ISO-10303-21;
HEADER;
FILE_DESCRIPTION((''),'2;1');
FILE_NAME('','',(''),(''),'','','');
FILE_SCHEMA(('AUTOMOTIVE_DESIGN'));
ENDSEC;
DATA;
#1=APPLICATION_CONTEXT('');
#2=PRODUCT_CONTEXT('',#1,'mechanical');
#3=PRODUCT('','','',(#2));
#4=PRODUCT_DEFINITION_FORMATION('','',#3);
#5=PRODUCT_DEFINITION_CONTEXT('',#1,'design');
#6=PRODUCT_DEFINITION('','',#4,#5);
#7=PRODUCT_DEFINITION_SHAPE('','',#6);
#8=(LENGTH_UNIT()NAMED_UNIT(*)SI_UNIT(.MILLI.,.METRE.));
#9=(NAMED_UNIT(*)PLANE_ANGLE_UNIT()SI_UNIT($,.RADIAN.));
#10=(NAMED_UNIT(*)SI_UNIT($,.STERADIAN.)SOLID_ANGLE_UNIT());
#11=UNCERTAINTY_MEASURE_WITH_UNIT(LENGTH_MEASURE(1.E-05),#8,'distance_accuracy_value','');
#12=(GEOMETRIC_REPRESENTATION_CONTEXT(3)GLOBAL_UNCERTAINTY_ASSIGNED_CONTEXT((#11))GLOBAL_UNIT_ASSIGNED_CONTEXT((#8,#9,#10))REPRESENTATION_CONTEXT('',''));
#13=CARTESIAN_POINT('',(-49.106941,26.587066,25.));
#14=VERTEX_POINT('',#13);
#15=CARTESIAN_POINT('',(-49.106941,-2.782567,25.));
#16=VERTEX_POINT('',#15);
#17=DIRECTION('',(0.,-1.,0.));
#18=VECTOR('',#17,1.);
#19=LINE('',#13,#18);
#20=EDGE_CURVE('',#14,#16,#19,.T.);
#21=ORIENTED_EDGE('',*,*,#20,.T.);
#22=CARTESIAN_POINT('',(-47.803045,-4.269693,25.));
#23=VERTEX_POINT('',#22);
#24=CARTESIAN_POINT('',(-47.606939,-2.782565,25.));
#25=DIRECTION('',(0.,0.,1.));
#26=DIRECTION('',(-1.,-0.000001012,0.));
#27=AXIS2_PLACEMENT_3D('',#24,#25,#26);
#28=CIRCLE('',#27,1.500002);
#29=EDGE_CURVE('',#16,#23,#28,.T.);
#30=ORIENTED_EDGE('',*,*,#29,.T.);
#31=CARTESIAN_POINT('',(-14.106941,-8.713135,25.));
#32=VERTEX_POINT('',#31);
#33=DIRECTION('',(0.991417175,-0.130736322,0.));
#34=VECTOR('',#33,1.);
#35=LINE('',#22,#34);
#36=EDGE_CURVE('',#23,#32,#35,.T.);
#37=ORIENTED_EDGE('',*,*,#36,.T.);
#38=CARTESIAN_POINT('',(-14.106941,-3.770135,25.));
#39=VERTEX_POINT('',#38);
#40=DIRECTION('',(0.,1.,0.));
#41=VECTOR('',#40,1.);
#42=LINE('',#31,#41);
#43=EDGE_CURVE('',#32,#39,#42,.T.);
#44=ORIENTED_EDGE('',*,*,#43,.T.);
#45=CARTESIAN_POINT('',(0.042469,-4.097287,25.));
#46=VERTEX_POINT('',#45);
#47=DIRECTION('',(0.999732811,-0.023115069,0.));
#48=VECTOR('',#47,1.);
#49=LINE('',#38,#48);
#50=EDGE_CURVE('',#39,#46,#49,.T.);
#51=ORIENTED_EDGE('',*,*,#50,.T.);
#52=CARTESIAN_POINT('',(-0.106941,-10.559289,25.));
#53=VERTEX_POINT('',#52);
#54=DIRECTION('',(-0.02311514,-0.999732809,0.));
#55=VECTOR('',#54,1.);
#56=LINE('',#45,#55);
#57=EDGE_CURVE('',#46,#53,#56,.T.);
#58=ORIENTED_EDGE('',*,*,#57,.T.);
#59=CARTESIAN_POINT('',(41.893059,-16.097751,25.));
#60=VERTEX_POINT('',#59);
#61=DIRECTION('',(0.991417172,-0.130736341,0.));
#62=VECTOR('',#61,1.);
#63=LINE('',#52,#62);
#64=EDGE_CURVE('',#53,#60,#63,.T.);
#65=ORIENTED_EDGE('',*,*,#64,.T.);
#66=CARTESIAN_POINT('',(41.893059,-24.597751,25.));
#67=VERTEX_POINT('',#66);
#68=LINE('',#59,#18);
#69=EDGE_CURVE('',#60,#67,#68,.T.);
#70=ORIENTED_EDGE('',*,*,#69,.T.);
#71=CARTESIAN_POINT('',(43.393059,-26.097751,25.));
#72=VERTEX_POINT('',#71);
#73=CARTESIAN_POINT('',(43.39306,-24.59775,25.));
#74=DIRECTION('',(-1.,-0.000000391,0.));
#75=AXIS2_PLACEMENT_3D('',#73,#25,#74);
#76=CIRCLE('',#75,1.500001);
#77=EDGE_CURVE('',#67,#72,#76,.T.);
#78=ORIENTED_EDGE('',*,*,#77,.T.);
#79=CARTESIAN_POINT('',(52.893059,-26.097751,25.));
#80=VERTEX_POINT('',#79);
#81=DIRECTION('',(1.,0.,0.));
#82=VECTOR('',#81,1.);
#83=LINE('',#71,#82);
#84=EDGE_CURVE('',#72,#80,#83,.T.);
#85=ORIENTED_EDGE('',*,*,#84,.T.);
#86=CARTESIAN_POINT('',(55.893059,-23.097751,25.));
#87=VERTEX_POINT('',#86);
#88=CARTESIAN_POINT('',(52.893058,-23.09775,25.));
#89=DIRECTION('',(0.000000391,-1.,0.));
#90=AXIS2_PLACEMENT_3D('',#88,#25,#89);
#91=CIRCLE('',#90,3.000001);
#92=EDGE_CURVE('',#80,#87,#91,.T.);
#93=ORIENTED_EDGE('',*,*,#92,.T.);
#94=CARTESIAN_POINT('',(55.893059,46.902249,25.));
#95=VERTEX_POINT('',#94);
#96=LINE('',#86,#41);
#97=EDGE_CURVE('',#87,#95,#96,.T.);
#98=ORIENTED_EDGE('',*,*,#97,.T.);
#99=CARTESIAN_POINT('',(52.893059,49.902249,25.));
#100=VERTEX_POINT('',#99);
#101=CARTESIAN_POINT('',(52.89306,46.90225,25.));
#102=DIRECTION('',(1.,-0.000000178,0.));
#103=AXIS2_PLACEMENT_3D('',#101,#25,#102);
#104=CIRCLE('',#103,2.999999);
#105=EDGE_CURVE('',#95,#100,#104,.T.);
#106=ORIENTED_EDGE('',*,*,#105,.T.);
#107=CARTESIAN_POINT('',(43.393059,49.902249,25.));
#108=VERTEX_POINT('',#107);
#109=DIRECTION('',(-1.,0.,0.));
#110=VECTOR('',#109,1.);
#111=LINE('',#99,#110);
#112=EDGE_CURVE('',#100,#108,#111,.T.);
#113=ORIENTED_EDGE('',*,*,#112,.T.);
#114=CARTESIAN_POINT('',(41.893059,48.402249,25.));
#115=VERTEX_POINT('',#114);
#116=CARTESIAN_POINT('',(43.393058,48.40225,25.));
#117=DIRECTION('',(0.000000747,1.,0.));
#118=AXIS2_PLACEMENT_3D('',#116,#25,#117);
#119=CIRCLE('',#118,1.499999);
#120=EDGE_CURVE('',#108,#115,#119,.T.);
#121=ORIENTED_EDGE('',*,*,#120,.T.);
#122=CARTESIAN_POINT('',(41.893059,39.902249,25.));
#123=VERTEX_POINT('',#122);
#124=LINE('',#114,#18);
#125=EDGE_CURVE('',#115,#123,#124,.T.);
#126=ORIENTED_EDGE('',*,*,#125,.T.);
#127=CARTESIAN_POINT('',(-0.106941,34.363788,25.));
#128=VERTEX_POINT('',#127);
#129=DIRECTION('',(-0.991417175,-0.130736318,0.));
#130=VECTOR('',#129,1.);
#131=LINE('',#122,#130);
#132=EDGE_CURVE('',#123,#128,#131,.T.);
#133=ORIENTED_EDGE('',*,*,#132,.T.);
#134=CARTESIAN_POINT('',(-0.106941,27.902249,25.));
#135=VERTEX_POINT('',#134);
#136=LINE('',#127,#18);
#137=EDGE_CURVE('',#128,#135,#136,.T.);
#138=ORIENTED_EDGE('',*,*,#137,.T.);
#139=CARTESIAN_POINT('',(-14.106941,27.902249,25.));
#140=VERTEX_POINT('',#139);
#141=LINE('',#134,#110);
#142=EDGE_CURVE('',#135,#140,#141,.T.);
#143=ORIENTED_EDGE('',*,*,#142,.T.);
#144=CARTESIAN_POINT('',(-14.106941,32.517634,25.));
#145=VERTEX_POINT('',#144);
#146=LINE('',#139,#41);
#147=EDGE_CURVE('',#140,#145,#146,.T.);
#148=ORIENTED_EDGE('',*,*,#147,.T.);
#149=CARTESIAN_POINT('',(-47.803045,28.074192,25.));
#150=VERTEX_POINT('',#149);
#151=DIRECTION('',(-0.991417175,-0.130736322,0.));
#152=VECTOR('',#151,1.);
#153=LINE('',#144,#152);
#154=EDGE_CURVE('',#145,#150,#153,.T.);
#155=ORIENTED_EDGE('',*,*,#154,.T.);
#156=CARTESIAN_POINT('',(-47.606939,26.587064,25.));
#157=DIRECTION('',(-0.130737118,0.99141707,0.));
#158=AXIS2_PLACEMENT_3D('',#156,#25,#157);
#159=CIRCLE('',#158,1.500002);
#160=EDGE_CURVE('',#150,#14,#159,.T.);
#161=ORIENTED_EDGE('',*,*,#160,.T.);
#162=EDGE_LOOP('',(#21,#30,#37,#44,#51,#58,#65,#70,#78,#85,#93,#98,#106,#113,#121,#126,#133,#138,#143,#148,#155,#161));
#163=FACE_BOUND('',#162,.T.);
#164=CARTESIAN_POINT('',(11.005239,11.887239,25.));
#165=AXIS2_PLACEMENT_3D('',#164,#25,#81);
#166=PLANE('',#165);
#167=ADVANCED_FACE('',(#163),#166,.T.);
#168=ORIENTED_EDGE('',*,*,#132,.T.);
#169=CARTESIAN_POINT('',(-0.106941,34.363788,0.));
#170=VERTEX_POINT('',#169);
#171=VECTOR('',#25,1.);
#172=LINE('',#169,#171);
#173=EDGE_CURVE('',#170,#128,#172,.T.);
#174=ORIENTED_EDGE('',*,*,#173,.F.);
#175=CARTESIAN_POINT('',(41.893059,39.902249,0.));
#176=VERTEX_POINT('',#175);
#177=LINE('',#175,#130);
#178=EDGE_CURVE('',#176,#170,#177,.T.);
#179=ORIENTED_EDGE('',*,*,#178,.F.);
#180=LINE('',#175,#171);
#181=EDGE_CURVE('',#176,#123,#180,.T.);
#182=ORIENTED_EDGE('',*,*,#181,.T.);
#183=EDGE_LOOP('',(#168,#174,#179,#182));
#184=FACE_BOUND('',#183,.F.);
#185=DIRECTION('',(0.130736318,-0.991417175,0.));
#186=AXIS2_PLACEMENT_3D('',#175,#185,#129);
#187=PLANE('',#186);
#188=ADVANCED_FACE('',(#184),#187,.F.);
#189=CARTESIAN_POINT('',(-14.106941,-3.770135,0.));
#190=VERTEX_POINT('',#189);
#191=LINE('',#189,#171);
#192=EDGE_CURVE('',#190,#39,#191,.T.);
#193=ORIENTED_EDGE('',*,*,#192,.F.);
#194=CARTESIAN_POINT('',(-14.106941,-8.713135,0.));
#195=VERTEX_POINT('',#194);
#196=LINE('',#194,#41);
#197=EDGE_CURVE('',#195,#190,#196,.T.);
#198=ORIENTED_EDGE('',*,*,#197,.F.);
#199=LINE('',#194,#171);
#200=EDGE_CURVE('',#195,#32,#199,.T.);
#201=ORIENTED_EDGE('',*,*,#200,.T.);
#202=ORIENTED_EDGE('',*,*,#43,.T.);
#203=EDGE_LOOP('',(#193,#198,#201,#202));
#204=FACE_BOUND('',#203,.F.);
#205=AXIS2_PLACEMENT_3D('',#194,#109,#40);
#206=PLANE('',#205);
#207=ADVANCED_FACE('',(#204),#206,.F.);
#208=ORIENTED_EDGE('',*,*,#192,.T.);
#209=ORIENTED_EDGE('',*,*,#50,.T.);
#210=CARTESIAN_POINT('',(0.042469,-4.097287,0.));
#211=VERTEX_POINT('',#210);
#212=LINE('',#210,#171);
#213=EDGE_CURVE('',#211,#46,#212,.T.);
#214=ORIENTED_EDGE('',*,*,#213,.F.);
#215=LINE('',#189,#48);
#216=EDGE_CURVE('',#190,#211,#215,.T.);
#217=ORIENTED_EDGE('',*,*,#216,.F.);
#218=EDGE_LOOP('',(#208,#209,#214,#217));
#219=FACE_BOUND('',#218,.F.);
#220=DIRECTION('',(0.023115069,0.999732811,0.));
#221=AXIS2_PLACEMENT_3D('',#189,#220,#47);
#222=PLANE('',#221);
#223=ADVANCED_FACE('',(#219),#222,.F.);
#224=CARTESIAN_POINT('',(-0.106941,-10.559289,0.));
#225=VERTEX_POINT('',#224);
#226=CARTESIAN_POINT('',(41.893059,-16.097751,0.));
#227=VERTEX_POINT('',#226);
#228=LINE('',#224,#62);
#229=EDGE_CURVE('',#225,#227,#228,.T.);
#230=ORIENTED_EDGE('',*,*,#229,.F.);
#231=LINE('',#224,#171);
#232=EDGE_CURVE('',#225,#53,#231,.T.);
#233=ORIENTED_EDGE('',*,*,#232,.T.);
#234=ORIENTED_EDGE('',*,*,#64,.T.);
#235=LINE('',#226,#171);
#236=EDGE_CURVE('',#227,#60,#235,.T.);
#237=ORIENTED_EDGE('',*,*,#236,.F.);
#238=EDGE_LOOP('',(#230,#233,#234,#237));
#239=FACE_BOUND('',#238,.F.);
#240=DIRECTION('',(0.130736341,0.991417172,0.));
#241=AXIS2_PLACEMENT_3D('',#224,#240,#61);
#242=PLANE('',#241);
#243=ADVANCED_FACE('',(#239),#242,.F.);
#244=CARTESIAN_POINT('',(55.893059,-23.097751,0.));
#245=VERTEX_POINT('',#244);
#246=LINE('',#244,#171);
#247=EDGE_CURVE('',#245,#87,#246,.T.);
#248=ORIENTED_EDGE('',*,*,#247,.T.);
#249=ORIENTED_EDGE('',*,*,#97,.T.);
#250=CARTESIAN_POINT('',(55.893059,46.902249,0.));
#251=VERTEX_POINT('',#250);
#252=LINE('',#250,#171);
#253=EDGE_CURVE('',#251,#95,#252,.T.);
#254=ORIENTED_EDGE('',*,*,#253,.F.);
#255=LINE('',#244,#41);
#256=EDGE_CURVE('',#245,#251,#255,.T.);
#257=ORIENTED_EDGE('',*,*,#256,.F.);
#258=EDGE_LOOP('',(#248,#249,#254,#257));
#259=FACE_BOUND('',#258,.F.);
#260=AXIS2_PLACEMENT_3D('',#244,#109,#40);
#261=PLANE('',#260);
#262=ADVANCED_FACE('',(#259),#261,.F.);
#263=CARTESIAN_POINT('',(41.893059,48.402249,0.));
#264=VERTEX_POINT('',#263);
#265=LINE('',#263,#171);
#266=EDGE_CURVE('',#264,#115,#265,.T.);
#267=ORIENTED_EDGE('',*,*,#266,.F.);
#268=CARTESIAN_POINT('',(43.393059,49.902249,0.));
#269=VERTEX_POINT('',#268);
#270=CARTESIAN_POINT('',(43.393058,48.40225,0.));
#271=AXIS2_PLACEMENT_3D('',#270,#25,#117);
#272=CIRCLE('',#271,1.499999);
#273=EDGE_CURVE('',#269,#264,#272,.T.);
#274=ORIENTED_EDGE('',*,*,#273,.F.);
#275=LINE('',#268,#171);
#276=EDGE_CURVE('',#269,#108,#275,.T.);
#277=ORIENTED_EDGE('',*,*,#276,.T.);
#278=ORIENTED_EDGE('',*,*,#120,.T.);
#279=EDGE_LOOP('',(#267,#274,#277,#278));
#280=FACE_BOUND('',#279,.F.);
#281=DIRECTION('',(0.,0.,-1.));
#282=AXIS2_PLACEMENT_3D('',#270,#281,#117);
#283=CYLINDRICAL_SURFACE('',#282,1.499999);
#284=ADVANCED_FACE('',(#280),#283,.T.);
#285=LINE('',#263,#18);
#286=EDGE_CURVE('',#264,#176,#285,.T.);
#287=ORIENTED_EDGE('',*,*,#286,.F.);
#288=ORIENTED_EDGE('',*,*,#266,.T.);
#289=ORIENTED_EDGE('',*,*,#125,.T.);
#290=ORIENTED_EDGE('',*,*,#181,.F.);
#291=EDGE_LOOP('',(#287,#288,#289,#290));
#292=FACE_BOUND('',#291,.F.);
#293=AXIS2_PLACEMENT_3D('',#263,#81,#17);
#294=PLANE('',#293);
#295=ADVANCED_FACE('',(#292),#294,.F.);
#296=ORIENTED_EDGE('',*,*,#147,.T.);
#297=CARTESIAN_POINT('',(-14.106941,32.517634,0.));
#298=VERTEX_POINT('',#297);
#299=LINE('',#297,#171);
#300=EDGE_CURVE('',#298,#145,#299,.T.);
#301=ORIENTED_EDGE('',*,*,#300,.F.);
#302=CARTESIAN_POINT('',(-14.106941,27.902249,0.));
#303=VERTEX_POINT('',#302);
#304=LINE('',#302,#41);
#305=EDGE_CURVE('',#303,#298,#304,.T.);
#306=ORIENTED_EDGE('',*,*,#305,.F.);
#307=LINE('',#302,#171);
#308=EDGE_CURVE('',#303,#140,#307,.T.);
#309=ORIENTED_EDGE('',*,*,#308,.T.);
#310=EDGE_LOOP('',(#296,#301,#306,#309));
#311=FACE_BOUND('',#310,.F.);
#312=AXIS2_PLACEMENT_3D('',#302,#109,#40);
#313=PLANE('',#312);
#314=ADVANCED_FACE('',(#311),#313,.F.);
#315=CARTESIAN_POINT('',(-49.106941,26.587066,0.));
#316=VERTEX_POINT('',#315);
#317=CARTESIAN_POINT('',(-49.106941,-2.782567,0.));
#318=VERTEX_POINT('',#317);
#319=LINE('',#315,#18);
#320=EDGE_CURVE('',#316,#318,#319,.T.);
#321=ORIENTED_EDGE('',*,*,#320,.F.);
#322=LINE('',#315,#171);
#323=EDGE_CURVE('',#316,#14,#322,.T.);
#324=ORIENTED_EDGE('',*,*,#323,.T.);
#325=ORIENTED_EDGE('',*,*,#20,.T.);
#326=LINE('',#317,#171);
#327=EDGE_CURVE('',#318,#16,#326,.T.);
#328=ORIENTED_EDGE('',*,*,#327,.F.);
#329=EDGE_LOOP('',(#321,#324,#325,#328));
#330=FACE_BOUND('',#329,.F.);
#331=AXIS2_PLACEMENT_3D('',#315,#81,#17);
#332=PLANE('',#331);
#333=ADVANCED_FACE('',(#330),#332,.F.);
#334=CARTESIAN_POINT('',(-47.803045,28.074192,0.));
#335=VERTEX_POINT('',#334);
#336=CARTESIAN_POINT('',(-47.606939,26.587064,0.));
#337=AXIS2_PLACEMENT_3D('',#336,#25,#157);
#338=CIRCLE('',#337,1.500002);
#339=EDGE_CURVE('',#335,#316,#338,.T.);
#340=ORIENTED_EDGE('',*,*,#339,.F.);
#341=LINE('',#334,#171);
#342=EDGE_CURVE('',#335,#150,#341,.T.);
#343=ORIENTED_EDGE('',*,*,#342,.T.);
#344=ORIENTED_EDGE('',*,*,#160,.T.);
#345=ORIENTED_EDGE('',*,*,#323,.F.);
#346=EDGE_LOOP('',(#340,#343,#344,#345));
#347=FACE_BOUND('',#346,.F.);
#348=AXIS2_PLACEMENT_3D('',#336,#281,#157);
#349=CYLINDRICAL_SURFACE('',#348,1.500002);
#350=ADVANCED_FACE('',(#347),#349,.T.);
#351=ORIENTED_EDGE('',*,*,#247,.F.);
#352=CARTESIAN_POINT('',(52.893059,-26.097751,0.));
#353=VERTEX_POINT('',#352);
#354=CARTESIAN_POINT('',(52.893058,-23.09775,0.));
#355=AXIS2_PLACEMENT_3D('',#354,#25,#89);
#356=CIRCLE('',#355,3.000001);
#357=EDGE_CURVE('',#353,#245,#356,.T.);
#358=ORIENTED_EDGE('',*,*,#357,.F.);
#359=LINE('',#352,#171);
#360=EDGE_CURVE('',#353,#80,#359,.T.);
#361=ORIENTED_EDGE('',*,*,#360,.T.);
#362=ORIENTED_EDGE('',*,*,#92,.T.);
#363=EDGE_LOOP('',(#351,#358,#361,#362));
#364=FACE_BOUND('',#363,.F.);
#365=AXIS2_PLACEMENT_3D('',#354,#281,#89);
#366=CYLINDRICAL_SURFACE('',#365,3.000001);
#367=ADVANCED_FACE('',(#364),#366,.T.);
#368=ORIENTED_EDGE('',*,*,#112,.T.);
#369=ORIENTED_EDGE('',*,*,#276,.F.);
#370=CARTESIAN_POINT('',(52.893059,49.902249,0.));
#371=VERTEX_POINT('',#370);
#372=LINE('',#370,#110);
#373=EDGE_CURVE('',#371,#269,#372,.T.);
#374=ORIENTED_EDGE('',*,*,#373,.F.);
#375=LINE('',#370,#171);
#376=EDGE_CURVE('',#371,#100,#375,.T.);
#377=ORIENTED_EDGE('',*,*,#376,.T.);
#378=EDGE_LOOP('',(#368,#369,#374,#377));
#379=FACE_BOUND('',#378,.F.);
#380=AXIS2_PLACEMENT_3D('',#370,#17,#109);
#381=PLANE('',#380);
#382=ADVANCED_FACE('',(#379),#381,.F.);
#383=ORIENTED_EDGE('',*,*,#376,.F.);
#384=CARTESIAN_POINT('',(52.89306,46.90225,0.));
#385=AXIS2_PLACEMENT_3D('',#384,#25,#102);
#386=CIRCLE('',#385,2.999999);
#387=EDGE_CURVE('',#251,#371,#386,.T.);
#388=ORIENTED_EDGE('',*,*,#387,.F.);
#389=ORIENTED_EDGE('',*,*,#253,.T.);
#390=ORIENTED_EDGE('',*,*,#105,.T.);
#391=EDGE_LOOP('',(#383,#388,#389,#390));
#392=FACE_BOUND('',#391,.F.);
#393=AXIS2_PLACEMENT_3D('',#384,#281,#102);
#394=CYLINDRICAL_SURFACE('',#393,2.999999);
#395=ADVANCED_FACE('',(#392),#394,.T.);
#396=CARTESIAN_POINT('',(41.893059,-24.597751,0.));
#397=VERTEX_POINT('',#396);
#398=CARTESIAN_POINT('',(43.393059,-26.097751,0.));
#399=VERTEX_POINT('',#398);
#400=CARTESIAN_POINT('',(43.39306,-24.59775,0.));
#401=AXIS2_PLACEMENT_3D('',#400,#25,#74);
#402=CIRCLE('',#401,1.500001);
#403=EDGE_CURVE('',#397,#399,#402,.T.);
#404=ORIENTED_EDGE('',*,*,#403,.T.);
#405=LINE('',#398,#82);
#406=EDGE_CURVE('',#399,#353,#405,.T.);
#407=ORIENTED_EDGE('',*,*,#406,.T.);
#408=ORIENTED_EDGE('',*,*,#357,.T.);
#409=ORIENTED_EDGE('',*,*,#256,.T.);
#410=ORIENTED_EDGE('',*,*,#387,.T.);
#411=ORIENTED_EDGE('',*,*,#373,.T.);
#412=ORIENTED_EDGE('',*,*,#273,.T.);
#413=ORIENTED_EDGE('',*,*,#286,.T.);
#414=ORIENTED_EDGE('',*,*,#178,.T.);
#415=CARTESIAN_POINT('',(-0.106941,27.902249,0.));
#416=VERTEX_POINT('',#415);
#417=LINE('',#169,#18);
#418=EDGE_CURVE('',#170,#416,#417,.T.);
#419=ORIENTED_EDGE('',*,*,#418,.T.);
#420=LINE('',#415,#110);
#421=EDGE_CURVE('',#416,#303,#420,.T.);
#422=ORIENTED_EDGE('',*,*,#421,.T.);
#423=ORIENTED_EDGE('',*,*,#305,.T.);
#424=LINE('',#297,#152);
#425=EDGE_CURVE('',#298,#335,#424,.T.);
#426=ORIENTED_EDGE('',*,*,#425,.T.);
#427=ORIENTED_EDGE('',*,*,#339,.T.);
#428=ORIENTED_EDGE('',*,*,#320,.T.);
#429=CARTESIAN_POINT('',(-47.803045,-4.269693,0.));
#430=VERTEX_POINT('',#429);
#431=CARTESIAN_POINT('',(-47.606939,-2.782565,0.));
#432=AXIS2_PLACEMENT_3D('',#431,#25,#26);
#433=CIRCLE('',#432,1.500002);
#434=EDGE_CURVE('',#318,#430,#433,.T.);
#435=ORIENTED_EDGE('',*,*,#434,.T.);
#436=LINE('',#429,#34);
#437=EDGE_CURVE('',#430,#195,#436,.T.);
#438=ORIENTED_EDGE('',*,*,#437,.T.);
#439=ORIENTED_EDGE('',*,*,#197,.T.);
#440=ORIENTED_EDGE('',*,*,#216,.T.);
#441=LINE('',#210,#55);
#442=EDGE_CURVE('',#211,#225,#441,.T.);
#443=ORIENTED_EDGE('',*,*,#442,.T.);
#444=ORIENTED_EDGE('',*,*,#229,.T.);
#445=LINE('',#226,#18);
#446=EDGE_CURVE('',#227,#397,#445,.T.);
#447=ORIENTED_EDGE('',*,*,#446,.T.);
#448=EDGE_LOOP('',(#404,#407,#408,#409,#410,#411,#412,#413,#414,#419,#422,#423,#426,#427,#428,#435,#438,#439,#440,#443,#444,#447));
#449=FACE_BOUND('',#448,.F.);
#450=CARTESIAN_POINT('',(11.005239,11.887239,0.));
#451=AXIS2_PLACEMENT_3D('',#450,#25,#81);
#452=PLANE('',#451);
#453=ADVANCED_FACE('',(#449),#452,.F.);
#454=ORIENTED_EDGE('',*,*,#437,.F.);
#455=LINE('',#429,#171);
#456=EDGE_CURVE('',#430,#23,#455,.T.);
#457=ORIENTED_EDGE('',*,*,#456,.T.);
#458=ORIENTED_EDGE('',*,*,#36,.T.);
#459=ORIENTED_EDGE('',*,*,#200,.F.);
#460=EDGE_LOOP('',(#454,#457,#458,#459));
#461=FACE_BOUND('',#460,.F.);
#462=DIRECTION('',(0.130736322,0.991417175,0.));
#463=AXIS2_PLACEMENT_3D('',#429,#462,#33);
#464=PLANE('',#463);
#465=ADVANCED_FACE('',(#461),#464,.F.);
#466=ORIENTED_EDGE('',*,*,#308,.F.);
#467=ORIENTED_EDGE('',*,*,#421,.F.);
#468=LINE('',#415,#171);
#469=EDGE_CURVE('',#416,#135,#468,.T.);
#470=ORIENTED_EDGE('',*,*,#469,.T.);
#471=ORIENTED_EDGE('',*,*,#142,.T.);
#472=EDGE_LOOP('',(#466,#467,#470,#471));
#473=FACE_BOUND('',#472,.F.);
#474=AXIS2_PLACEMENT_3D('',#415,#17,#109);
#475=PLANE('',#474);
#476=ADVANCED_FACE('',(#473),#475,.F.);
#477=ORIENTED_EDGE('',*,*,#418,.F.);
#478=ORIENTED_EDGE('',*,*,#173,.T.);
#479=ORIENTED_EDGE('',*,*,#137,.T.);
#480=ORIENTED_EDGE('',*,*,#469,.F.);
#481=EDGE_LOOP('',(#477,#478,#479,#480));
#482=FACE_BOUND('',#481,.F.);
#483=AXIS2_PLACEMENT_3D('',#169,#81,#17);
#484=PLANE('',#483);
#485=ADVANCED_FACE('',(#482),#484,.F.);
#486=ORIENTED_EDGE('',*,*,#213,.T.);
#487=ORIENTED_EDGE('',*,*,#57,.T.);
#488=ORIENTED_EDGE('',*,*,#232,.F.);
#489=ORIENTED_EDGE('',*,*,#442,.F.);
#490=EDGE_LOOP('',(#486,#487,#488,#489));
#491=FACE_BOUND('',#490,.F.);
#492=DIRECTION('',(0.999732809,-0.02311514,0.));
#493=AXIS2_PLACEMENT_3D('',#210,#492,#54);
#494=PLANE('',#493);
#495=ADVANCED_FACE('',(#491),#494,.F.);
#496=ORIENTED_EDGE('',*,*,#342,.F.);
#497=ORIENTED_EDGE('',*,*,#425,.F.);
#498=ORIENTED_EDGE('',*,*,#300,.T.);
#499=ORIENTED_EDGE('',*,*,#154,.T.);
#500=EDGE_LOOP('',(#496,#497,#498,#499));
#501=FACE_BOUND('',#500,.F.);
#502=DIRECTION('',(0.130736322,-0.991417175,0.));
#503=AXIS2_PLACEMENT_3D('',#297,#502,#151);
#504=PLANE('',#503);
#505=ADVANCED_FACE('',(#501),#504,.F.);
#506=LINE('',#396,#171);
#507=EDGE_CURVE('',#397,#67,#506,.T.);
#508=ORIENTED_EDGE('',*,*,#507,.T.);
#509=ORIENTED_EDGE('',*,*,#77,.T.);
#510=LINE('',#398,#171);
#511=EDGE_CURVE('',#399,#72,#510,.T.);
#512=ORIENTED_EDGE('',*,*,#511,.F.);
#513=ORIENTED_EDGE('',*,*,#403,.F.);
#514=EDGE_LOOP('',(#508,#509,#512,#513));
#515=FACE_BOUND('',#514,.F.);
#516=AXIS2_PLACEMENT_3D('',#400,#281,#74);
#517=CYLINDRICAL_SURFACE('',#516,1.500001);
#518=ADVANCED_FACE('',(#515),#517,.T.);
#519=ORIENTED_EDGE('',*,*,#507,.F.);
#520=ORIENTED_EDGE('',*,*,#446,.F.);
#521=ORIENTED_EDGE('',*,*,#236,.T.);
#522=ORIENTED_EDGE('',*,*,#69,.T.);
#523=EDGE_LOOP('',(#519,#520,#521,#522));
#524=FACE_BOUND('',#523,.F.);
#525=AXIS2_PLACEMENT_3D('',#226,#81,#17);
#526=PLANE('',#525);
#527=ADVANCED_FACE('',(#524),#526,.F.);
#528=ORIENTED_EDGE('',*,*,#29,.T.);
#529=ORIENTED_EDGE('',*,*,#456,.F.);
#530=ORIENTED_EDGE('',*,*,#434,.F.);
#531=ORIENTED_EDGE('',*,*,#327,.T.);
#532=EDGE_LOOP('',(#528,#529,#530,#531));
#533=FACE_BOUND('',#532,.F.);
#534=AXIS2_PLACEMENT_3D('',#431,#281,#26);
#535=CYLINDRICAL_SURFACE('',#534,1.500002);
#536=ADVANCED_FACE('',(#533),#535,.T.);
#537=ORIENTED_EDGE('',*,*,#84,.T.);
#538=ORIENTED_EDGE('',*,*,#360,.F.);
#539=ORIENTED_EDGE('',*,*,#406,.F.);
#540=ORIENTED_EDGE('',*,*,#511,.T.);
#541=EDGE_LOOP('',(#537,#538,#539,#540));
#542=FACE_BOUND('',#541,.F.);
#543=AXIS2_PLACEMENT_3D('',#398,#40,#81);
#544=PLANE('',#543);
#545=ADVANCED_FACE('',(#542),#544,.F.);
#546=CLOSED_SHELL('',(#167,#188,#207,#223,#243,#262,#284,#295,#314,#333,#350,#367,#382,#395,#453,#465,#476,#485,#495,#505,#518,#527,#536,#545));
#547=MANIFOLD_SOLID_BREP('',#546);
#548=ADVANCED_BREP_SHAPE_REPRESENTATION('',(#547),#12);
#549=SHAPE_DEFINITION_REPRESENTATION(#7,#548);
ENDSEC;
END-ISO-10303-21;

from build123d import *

# Parameters (mm, degrees)
F1_DEPTH = 25


with BuildPart() as f1:
    # F0 (on Top) → F1 (new body)
    with BuildSketch(Plane.XY):
        with BuildLine():
            Line((55.893059, -23.097751), (55.893059, 46.902249))
            ThreePointArc((55.893059, 46.902249), (55.014379, 49.02357), (52.893059, 49.902249))
            Line((52.893059, 49.902249), (43.393059, 49.902249))
            ThreePointArc((43.393059, 49.902249), (42.332399, 49.46291), (41.893059, 48.402249))
            Line((41.893059, 48.402249), (41.893059, 39.902249))
            Line((41.893059, 39.902249), (-0.106941, 34.363788))
            Line((-0.106941, 34.363788), (-0.106941, 27.902249))
            Line((-0.106941, 27.902249), (-14.106941, 27.902249))
            Line((-14.106941, 27.902249), (-14.106941, 32.517634))
            Line((-14.106941, 32.517634), (-47.803045, 28.074192))
            ThreePointArc((-47.803045, 28.074192), (-48.734805, 27.575965), (-49.106941, 26.587066))
            Line((-49.106941, 26.587066), (-49.106941, 11.902249))
            Line((-49.106941, 11.902249), (-49.106941, -2.782567))
            ThreePointArc((-49.106941, -2.782567), (-48.734805, -3.771466), (-47.803045, -4.269693))
            Line((-47.803045, -4.269693), (-14.106941, -8.713135))
            Line((-14.106941, -8.713135), (-14.106941, -3.770135))
            Line((-14.106941, -3.770135), (0.042469, -4.097287))
            Line((0.042469, -4.097287), (-0.106941, -10.559289))
            Line((-0.106941, -10.559289), (41.893059, -16.097751))
            Line((41.893059, -16.097751), (41.893059, -24.597751))
            ThreePointArc((41.893059, -24.597751), (42.332399, -25.658411), (43.393059, -26.097751))
            Line((43.393059, -26.097751), (52.893059, -26.097751))
            ThreePointArc((52.893059, -26.097751), (55.014379, -25.219071), (55.893059, -23.097751))
        make_face()
    extrude(amount=F1_DEPTH)


solid = f1.part
